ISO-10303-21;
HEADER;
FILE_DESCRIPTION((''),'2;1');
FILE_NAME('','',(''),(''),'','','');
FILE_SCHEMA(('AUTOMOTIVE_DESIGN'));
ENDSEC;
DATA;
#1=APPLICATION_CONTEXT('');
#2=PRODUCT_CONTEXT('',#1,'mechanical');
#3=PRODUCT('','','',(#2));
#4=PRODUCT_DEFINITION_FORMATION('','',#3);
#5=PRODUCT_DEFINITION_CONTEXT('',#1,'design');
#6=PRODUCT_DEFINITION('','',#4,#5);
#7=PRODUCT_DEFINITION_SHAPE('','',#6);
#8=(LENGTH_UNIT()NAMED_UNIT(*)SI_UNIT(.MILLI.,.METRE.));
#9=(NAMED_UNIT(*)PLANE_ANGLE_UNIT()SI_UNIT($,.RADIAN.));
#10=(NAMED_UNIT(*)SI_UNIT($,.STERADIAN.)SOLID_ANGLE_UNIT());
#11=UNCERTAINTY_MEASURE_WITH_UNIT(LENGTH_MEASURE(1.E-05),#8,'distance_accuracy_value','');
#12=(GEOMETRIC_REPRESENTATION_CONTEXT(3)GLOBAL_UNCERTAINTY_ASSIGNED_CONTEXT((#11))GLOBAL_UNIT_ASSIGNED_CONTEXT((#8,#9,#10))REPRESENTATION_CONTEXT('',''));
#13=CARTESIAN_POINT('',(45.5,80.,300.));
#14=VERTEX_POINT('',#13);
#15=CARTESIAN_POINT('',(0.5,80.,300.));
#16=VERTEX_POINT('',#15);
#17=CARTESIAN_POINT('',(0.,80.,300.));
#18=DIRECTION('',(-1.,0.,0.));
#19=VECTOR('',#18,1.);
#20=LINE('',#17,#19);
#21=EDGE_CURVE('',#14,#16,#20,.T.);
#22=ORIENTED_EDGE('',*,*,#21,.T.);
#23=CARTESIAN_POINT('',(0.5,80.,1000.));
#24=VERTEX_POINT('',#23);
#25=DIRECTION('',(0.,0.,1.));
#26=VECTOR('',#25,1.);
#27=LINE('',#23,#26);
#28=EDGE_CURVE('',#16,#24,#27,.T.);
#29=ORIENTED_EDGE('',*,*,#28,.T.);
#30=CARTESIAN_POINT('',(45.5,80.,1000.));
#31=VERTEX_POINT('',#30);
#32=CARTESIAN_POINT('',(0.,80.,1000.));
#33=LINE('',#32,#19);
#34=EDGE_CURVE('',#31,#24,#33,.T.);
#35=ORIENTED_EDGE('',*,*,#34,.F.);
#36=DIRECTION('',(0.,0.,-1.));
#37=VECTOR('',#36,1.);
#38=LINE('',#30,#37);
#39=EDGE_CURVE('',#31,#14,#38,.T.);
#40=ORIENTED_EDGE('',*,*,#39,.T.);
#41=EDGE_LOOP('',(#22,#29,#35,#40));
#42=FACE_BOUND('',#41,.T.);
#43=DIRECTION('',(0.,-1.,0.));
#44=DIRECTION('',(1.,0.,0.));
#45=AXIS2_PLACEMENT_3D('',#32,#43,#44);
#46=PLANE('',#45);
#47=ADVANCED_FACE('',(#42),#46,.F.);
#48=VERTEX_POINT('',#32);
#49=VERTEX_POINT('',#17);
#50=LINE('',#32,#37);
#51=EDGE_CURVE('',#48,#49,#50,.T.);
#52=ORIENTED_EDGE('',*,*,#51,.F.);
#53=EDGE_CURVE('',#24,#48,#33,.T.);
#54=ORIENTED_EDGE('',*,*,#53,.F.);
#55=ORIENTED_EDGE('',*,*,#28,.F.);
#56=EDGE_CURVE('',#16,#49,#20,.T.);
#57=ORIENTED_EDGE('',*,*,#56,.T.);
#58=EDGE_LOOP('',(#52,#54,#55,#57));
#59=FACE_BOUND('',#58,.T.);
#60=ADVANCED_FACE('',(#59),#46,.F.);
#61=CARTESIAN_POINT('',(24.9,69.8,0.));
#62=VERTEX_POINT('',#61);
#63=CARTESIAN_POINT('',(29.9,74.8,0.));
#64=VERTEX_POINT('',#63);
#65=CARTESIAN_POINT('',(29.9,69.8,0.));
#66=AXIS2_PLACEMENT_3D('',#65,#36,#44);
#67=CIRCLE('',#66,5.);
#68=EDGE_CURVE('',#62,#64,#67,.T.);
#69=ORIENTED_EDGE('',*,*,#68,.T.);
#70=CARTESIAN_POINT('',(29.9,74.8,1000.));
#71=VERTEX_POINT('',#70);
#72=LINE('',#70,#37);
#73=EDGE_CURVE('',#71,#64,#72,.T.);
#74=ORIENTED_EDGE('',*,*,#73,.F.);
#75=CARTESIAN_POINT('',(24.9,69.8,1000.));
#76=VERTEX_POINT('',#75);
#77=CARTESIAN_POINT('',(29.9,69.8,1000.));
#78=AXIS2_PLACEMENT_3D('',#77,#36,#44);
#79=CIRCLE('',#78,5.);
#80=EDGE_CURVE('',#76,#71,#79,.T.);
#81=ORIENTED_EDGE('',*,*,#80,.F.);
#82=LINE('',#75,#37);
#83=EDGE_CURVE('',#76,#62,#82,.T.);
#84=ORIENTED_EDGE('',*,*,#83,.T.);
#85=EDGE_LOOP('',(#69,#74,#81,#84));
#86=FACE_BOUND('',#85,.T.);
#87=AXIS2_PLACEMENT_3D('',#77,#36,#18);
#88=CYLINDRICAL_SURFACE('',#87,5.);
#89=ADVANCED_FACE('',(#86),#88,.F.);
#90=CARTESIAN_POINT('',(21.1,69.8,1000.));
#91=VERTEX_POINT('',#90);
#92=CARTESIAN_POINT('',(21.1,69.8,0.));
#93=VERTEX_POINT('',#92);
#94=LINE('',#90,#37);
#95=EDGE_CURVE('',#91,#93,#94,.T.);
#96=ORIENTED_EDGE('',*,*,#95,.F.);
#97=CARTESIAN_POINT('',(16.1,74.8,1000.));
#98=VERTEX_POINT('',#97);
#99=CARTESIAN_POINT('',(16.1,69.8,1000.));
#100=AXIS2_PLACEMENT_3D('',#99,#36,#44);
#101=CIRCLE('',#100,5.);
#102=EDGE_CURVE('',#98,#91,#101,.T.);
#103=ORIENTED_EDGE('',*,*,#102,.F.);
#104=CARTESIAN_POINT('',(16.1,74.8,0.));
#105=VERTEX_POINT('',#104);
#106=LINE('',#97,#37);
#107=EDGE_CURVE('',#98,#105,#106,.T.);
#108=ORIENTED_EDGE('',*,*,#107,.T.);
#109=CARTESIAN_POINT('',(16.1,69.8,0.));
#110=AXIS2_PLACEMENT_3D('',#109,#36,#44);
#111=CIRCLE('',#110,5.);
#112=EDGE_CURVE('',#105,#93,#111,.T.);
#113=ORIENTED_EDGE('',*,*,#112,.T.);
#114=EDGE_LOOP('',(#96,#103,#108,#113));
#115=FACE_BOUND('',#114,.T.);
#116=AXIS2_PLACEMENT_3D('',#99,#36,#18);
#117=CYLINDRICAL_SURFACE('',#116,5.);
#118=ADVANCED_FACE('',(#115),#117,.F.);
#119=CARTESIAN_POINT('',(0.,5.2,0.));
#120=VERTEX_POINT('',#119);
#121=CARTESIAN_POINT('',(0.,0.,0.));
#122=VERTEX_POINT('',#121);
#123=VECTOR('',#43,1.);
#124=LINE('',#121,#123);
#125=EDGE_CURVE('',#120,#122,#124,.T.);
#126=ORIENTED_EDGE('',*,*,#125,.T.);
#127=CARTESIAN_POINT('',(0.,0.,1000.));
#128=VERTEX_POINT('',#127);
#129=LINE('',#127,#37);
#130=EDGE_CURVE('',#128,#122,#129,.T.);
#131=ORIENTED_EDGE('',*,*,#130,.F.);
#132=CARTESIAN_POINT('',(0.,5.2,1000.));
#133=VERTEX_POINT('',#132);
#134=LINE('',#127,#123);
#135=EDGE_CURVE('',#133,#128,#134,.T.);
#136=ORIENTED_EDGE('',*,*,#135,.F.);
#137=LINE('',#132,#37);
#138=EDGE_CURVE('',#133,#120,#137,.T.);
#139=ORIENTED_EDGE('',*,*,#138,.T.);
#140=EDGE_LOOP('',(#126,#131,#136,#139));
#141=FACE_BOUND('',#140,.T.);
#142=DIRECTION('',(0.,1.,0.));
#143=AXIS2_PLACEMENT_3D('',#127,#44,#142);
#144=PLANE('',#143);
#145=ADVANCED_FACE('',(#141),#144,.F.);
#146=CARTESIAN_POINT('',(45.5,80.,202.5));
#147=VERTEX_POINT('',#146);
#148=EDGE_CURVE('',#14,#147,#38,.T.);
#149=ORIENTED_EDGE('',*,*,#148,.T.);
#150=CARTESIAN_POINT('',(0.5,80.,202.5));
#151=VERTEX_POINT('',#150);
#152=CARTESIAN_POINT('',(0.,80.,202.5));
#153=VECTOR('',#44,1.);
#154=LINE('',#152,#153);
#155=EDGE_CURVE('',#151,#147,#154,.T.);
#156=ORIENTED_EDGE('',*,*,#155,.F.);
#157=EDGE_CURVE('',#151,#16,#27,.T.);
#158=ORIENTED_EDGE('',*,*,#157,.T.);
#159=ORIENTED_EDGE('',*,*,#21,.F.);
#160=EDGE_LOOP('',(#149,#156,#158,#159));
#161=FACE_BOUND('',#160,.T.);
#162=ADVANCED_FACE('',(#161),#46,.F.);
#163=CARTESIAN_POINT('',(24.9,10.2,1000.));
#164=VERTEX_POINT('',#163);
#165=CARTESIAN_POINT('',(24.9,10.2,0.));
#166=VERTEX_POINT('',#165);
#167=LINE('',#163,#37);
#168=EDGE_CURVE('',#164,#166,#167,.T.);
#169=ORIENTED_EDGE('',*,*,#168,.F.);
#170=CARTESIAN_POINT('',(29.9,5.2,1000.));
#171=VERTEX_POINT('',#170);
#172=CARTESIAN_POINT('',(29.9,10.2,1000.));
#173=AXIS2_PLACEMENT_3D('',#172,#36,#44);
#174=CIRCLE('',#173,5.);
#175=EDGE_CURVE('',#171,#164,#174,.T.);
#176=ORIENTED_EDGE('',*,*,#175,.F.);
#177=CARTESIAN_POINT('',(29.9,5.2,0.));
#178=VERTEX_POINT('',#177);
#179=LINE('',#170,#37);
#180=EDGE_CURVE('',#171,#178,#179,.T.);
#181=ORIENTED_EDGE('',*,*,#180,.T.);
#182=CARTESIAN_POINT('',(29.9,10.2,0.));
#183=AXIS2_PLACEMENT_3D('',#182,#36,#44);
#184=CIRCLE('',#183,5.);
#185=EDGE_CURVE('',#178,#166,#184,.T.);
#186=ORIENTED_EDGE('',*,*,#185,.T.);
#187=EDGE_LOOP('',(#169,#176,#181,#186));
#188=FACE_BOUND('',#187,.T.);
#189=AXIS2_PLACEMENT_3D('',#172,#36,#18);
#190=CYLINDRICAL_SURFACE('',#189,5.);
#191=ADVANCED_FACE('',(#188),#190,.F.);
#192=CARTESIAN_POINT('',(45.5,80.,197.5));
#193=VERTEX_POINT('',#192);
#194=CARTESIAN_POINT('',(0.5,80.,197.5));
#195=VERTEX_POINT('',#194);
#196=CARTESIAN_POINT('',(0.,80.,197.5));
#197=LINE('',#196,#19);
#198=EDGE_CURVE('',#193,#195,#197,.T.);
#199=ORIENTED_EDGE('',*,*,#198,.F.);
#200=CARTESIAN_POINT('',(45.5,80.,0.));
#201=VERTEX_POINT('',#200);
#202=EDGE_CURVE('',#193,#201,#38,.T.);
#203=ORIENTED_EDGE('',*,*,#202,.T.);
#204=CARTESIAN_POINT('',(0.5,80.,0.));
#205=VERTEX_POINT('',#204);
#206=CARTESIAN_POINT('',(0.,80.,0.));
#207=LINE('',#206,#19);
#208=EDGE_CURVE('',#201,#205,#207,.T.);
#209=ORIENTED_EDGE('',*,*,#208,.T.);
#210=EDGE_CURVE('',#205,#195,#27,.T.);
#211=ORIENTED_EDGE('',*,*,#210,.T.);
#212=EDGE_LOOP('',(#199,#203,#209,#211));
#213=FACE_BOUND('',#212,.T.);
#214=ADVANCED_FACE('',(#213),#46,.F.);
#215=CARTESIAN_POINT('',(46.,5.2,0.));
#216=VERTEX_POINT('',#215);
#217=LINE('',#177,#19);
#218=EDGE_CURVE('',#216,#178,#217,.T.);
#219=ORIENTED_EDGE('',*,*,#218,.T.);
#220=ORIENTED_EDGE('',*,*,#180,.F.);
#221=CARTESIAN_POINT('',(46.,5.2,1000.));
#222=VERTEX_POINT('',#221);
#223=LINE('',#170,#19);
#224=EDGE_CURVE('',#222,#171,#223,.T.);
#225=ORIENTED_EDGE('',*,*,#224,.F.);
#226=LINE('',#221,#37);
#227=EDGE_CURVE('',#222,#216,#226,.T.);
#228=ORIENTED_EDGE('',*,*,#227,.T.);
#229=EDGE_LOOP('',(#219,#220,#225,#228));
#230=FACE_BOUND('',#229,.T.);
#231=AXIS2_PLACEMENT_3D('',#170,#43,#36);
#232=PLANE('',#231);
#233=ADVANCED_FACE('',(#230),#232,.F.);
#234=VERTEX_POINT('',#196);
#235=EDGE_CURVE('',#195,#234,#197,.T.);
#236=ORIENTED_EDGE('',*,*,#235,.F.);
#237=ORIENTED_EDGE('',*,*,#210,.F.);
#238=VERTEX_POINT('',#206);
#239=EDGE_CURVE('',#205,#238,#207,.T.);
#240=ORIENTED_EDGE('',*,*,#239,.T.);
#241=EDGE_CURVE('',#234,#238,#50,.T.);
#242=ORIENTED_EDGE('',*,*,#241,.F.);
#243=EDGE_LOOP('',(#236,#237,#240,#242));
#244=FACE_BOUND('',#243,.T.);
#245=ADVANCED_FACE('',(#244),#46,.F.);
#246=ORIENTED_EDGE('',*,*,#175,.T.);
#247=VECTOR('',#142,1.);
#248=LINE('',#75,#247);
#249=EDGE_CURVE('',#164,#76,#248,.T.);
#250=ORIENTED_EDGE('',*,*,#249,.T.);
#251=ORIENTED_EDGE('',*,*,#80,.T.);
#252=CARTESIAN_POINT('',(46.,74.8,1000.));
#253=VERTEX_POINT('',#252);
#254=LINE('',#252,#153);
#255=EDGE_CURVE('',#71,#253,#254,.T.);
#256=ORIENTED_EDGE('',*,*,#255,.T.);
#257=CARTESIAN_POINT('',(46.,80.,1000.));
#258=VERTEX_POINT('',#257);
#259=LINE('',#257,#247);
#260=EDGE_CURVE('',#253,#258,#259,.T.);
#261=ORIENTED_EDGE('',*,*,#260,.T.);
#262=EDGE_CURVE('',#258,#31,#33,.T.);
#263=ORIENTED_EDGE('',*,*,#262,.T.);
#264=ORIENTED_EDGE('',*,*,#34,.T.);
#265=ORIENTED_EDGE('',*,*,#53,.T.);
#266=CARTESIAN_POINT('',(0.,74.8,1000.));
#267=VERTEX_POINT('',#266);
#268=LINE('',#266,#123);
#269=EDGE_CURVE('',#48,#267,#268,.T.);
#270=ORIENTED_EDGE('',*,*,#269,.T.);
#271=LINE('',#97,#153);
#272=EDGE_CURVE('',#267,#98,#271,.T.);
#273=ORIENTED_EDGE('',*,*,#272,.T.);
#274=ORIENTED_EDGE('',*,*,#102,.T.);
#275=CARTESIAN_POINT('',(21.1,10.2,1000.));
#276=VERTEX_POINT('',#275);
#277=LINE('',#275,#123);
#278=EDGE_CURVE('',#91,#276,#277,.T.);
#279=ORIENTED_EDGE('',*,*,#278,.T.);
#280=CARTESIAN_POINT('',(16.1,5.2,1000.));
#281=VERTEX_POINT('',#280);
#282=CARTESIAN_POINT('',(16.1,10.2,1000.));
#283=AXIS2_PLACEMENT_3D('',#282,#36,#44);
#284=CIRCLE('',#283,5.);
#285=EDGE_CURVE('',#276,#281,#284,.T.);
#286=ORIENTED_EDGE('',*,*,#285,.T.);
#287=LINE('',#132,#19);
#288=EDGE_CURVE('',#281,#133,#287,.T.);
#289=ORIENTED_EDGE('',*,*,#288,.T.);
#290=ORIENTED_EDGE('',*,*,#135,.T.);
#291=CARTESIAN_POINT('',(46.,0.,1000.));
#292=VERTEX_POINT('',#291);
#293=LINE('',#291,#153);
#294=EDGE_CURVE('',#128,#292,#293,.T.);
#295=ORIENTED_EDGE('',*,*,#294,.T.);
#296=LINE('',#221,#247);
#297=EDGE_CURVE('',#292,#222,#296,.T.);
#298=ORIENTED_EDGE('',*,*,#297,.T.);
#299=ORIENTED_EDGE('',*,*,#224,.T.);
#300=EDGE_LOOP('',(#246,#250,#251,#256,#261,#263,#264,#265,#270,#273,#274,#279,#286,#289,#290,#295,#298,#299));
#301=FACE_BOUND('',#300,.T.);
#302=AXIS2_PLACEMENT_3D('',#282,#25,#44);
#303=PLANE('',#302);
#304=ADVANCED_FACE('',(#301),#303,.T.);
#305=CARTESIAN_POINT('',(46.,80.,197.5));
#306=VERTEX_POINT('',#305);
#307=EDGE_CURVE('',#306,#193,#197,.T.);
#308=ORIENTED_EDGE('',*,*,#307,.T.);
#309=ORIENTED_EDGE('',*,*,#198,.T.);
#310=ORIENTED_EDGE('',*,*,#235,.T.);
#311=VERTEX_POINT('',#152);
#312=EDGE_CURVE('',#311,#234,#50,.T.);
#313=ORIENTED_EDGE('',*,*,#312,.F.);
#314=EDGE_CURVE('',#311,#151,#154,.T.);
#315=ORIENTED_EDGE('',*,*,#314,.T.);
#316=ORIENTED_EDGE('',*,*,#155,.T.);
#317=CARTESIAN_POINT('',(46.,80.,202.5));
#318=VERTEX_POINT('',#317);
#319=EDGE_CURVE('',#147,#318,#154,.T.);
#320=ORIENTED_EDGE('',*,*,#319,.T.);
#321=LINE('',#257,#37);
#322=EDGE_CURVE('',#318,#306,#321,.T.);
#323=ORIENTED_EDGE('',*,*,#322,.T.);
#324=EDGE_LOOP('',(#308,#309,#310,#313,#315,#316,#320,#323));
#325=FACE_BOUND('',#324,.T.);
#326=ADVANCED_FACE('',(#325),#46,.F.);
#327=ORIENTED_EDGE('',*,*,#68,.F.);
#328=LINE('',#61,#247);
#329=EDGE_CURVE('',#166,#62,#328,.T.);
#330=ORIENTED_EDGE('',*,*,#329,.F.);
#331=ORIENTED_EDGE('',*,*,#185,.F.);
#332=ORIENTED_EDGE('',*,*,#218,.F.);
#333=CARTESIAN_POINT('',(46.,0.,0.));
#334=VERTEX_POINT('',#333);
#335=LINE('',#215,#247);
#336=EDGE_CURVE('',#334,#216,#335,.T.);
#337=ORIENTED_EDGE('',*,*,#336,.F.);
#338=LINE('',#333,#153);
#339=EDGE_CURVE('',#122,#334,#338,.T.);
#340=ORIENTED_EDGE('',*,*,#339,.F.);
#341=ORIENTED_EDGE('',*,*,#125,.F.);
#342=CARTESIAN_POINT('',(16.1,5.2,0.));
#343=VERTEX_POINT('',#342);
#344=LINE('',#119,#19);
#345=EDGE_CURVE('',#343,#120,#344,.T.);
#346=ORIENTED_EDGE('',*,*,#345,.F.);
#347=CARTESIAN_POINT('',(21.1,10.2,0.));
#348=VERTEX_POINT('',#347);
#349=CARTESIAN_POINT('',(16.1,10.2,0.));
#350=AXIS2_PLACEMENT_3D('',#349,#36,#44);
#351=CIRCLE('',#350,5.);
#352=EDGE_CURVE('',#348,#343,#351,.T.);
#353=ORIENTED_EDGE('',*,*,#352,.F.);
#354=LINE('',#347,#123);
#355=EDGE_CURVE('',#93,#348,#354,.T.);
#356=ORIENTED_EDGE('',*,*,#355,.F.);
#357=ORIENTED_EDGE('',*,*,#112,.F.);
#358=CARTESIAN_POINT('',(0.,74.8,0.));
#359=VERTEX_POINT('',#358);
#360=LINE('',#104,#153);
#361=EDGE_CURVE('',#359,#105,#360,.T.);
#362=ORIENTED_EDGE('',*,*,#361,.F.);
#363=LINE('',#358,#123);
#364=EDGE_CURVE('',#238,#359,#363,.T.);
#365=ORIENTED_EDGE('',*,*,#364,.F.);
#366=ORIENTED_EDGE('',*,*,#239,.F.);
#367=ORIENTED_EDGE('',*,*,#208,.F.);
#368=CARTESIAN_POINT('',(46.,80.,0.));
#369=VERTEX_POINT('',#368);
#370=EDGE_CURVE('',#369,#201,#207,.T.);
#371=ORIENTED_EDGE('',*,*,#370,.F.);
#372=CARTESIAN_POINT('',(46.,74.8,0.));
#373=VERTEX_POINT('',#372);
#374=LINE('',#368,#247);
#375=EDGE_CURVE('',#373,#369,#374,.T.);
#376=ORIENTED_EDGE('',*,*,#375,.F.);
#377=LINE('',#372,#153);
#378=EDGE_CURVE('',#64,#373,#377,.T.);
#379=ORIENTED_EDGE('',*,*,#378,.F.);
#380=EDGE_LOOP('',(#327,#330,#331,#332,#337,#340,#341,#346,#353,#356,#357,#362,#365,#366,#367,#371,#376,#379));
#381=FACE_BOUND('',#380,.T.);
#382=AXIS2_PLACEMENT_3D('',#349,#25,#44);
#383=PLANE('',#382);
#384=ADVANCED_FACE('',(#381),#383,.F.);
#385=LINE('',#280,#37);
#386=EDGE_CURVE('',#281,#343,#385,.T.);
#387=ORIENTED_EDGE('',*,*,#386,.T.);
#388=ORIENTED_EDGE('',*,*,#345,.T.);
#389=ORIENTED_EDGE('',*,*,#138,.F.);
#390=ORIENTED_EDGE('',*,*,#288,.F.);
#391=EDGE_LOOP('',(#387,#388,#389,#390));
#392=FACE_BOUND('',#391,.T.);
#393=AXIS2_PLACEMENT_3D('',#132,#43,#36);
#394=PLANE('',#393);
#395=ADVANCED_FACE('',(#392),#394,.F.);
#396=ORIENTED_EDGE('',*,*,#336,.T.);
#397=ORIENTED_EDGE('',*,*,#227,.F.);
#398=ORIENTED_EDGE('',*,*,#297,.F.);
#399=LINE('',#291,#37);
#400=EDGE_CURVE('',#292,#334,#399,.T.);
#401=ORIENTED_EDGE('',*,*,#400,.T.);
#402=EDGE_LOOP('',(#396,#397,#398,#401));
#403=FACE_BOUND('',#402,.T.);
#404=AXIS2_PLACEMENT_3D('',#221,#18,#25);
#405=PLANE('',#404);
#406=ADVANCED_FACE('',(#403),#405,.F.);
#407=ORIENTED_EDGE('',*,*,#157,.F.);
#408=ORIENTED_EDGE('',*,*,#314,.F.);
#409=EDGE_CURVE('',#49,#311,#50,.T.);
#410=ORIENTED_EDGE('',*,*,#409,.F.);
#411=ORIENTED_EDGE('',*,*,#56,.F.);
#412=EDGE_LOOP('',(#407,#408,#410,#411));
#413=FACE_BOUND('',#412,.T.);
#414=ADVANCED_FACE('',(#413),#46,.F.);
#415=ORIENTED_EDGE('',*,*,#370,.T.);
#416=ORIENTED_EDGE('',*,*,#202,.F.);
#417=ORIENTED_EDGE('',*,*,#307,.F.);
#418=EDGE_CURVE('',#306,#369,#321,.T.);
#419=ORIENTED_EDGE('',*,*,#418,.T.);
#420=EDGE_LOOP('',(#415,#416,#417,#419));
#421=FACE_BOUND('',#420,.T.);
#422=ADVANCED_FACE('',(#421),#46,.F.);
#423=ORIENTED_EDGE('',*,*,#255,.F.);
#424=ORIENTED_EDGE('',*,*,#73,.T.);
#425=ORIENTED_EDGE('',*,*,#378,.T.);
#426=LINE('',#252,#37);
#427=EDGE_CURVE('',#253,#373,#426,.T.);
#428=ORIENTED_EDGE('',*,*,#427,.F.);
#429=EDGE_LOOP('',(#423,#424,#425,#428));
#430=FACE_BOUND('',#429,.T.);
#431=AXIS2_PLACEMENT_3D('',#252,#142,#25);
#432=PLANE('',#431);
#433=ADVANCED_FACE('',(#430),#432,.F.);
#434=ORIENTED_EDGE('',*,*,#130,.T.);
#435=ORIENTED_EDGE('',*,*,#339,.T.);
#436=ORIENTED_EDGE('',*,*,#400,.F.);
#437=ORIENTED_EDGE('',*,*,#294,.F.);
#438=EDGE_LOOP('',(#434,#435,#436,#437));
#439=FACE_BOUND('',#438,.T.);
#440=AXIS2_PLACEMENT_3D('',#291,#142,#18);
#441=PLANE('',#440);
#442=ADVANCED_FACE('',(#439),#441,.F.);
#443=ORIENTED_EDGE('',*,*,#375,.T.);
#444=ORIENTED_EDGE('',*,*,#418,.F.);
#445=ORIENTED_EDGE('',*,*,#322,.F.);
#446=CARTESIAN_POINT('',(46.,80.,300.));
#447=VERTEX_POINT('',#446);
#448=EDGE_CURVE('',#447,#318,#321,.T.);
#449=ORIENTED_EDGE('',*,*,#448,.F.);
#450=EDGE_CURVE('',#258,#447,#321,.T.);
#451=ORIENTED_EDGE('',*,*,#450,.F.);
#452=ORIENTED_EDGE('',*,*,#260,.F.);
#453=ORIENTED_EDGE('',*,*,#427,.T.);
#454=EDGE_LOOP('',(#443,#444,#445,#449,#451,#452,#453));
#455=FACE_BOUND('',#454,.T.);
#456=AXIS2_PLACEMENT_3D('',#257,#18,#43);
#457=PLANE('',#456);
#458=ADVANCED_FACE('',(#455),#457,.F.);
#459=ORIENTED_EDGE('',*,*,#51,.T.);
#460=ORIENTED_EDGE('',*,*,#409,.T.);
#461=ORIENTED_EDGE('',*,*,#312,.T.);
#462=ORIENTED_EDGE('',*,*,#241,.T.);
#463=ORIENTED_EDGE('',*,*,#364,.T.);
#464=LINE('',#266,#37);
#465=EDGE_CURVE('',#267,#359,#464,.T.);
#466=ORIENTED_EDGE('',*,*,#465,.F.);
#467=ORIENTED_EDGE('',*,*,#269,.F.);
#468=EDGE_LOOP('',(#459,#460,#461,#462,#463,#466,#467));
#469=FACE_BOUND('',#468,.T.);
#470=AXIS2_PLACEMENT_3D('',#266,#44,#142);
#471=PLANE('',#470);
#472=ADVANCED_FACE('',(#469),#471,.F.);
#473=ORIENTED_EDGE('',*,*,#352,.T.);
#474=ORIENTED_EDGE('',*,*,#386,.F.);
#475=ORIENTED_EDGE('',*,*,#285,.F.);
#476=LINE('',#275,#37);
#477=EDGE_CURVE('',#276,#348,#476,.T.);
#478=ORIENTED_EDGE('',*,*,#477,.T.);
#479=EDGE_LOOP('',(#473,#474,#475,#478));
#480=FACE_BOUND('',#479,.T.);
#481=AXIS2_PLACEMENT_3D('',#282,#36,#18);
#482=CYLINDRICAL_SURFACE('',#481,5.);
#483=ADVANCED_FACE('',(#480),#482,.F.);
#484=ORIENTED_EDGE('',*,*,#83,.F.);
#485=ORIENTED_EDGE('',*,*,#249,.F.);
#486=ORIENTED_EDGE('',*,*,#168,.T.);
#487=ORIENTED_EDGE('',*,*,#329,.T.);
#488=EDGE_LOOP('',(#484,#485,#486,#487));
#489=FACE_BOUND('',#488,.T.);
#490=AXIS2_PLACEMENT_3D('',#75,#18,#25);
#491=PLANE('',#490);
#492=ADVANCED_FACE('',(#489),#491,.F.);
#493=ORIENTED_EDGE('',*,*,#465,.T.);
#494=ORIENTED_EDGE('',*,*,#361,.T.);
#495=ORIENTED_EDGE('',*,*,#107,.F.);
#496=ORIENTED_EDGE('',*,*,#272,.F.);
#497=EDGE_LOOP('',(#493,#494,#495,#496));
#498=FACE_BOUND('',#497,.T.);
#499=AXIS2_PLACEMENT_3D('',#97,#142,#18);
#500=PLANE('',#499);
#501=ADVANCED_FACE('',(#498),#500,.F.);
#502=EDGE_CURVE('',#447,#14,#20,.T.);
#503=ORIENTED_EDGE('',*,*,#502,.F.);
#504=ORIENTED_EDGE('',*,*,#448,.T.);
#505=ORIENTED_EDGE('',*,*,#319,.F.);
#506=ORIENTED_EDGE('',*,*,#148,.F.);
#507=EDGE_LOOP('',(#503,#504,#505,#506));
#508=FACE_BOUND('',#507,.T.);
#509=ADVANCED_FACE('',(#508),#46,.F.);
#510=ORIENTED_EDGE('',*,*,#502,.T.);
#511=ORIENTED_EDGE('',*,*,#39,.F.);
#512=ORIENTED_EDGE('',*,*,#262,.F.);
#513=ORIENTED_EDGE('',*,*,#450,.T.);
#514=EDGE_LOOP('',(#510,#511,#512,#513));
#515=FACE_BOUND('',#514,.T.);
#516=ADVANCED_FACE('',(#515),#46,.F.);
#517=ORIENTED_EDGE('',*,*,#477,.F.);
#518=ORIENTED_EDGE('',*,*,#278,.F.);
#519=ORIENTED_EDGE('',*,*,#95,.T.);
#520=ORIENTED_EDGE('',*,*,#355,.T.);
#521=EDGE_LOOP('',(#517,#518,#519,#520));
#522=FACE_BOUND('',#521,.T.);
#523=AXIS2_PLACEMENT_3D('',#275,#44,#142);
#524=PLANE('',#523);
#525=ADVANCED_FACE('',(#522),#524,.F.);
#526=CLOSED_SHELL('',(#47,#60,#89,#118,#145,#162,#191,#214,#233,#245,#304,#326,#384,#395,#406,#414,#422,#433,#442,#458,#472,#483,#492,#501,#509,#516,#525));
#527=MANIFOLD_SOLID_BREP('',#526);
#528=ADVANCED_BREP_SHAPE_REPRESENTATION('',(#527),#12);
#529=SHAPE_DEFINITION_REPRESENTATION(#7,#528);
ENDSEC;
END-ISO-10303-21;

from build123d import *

# Parameters (mm, degrees)
LINEAR_AUSTRAGEN1_DEPTH = 1000


with BuildPart() as part:
    # Skizze1 → Linear austragen1 (new body)
    with BuildSketch(Plane.XY):
        with BuildLine():
            Line((0, 0), (0, 5.2))
            Line((0, 5.2), (16.1, 5.2))
            ThreePointArc((16.1, 5.2), (19.635533906, 6.664466094), (21.1, 10.2))
            Line((21.1, 10.2), (21.1, 69.8))
            ThreePointArc((21.1, 69.8), (19.635533906, 73.335533906), (16.1, 74.8))
            Line((16.1, 74.8), (0, 74.8))
            Line((0, 74.8), (0, 80))
            Line((0, 80), (46, 80))
            Line((46, 80), (46, 74.8))
            Line((46, 74.8), (29.9, 74.8))
            ThreePointArc((29.9, 74.8), (26.364466094, 73.335533906), (24.9, 69.8))
            Line((24.9, 69.8), (24.9, 10.2))
            ThreePointArc((24.9, 10.2), (26.364466094, 6.664466094), (29.9, 5.2))
            Line((29.9, 5.2), (46, 5.2))
            Line((46, 5.2), (46, 0))
            Line((46, 0), (0, 0))
        make_face()
    extrude(amount=LINEAR_AUSTRAGEN1_DEPTH)


solid = part.part
